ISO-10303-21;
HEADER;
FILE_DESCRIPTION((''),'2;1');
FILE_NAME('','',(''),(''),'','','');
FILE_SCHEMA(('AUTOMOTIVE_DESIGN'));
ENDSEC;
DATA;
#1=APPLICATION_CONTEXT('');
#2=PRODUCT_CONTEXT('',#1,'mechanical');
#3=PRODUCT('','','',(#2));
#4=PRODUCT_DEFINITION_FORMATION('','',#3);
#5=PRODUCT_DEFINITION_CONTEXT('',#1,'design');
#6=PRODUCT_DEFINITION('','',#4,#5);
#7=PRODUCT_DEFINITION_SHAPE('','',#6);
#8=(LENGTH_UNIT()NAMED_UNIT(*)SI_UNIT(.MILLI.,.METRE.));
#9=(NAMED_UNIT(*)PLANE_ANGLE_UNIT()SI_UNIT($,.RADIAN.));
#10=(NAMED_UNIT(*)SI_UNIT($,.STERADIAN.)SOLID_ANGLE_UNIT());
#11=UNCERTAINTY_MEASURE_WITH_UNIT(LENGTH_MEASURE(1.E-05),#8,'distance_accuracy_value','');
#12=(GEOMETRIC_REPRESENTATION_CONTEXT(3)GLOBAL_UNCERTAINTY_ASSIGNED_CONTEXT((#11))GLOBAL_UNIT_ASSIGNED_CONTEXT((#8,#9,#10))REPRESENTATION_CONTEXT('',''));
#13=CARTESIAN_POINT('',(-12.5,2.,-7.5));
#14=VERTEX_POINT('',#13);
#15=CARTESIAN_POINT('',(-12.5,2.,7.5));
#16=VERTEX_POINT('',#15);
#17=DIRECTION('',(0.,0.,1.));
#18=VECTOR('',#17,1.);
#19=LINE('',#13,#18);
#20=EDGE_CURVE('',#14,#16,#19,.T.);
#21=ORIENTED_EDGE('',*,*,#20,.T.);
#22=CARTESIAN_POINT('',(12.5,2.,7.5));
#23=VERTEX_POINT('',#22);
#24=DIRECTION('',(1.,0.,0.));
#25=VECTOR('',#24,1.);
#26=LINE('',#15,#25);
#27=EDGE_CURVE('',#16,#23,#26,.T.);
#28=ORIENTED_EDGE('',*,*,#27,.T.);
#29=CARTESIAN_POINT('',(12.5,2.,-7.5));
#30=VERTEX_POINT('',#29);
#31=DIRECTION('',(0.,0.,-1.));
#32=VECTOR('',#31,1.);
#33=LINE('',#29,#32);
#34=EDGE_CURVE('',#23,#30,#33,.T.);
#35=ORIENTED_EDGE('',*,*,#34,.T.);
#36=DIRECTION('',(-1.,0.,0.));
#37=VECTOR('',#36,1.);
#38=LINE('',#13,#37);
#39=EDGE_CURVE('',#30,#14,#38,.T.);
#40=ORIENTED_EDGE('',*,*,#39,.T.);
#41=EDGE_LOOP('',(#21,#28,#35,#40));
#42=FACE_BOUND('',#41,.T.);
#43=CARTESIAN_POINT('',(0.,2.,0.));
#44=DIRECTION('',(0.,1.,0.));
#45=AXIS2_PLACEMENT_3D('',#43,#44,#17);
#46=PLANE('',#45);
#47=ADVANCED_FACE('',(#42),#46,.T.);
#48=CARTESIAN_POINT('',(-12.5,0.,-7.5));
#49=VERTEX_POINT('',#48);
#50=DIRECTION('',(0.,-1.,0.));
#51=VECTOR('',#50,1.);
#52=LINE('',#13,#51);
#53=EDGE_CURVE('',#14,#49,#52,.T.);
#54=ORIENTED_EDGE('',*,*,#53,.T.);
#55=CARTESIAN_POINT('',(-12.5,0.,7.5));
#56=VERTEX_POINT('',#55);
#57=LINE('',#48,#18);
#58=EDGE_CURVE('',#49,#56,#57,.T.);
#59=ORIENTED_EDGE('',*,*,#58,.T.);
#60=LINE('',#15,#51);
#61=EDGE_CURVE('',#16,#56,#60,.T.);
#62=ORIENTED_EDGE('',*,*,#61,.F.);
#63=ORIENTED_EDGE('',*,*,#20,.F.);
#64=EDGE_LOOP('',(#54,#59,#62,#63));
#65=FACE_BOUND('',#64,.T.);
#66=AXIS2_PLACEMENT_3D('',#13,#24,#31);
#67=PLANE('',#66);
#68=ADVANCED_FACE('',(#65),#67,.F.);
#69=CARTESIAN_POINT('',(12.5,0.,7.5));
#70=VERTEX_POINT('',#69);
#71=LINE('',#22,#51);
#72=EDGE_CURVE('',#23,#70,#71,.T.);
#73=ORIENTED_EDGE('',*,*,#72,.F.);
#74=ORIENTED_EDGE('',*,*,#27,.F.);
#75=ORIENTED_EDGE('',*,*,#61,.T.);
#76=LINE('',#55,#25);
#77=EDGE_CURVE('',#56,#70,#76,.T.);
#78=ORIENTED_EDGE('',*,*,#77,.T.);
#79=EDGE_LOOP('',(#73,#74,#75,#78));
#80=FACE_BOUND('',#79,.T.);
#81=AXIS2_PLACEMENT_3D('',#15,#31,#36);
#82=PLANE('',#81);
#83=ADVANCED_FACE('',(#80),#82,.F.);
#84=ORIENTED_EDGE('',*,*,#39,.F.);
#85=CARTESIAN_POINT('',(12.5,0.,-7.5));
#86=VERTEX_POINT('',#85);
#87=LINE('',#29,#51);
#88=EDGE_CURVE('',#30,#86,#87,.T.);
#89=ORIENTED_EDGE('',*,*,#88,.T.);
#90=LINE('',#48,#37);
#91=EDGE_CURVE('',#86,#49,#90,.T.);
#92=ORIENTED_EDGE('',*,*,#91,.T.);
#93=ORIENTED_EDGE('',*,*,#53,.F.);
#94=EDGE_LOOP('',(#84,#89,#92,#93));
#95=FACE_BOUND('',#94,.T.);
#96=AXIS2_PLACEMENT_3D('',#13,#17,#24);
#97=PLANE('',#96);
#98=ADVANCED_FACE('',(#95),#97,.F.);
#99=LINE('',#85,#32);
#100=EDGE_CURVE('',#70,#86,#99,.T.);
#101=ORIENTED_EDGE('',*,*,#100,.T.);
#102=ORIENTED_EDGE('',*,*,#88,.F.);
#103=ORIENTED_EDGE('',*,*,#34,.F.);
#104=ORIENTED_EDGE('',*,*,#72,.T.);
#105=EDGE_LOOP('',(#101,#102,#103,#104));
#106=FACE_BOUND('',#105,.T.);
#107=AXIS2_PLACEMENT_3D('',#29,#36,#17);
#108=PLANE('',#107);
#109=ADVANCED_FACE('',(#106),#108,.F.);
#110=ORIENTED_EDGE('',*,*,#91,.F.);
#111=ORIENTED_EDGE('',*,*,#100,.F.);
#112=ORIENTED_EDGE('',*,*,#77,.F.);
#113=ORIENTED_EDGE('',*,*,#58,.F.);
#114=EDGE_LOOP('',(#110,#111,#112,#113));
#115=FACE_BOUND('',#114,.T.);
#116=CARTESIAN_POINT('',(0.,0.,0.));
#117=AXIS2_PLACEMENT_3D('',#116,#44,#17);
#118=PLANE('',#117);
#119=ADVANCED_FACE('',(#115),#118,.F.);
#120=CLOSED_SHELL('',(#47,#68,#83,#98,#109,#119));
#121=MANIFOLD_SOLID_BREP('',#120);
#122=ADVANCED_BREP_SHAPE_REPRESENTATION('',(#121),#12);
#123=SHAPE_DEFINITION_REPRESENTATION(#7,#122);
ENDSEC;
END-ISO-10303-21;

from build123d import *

# Parameters (mm, degrees)
SKETCH_1_W      = 25
SKETCH_1_H      = 15
EXTRUDE_1_DEPTH = 2


with BuildPart() as part:
    # Эскиз1 → Бобышка-Вытянуть1 (new body)
    with BuildSketch(Plane(origin=(0, 0, 0), x_dir=(1, 0, 0), z_dir=(0, 1, 0))):
        Rectangle(SKETCH_1_W, SKETCH_1_H)
    extrude(amount=EXTRUDE_1_DEPTH)


solid = part.part
